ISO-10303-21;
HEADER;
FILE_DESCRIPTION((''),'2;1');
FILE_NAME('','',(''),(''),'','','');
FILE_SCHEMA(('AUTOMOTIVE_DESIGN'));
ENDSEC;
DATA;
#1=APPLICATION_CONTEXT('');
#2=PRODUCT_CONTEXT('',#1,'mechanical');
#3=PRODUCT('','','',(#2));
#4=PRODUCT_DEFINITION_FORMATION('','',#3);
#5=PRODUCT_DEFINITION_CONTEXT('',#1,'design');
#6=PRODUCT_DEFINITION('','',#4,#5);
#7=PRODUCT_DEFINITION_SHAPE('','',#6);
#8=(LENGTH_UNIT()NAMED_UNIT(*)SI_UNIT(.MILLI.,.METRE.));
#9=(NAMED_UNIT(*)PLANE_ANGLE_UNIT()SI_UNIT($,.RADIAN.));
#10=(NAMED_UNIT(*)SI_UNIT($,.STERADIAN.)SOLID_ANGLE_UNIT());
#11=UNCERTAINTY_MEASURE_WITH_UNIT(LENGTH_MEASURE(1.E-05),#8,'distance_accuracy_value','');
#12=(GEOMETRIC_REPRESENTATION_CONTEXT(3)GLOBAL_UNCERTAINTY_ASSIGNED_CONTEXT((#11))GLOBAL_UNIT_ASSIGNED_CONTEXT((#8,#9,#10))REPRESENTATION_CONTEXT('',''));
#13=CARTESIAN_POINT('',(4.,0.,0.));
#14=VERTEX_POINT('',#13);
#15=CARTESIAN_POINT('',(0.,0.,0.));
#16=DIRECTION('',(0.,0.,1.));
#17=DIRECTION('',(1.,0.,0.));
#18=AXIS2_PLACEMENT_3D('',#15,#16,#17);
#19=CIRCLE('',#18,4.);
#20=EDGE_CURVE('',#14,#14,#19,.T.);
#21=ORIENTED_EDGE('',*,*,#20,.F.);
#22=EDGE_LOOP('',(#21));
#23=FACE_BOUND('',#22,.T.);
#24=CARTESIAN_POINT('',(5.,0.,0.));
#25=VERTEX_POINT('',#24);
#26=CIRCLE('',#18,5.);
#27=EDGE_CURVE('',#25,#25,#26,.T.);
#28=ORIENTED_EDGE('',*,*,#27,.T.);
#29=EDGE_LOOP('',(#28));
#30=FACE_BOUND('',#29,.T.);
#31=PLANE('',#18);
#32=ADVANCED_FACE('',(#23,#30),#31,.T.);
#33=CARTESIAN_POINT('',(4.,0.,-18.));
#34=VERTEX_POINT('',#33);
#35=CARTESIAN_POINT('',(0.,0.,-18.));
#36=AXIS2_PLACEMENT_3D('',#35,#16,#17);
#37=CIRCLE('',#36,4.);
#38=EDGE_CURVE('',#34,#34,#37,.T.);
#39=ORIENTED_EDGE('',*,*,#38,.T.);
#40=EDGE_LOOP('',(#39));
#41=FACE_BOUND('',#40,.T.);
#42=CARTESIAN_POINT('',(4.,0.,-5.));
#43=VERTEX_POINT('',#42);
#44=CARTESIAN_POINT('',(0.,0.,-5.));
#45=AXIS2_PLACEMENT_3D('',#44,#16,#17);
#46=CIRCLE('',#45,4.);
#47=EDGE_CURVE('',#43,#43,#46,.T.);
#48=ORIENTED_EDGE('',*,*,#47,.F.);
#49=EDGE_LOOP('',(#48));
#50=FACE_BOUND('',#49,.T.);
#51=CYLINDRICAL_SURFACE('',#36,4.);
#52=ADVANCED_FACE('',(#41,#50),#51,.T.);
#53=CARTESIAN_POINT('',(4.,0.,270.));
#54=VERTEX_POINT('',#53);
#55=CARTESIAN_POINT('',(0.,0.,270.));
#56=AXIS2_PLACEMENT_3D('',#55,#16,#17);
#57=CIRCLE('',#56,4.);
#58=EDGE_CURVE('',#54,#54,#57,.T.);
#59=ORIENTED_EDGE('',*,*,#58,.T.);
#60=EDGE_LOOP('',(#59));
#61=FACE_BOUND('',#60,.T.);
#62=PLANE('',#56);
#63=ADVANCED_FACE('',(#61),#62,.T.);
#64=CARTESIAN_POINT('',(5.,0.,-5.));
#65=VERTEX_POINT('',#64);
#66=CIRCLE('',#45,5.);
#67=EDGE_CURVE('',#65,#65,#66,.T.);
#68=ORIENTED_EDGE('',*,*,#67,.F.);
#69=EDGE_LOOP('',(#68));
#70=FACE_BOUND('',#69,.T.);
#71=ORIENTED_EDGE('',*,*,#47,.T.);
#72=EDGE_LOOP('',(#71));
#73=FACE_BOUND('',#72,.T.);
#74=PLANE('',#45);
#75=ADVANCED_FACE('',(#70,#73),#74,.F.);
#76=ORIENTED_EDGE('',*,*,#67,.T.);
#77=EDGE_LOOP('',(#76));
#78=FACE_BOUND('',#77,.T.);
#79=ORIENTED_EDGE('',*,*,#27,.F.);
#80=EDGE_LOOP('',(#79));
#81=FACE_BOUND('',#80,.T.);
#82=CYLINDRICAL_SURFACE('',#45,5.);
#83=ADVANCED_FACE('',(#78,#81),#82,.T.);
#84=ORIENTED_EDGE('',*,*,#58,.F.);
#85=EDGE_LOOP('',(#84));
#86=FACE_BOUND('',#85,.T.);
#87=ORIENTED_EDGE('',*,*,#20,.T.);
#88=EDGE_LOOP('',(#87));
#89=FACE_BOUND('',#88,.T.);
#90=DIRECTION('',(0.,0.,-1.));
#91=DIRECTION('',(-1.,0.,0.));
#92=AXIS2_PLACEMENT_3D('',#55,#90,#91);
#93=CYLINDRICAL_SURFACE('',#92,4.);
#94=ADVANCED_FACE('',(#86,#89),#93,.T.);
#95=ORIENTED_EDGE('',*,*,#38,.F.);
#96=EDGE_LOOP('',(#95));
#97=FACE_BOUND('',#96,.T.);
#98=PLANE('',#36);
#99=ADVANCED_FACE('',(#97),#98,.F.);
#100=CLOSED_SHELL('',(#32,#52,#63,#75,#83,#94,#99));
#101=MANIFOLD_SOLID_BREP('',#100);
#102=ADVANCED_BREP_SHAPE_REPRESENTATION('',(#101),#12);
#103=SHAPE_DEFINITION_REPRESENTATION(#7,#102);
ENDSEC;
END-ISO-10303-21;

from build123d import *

# Parameters (mm, degrees)
SKETCH1_R           = 4
BOSS_EXTRUDE1_DEPTH = 270
SKETCH2_R           = 5
BOSS_EXTRUDE2_DEPTH = 5
BOSS_EXTRUDE3_START = -18
SKETCH3_R           = 4
BOSS_EXTRUDE3_DEPTH = 18


with BuildPart() as part:
    # Sketch1 → Boss-Extrude1 (new body)
    with BuildSketch(Plane.XY):
        Circle(SKETCH1_R)
    extrude(amount=BOSS_EXTRUDE1_DEPTH)

    # Sketch2 → Boss-Extrude2 (add)
    with BuildSketch(Plane.XY):
        Circle(SKETCH2_R)
    extrude(amount=-BOSS_EXTRUDE2_DEPTH)

    # Sketch3 → Boss-Extrude3 (add)
    with BuildSketch(Plane.XY.offset(BOSS_EXTRUDE3_START)):
        Circle(SKETCH3_R)
    extrude(amount=BOSS_EXTRUDE3_DEPTH)


solid = part.part
